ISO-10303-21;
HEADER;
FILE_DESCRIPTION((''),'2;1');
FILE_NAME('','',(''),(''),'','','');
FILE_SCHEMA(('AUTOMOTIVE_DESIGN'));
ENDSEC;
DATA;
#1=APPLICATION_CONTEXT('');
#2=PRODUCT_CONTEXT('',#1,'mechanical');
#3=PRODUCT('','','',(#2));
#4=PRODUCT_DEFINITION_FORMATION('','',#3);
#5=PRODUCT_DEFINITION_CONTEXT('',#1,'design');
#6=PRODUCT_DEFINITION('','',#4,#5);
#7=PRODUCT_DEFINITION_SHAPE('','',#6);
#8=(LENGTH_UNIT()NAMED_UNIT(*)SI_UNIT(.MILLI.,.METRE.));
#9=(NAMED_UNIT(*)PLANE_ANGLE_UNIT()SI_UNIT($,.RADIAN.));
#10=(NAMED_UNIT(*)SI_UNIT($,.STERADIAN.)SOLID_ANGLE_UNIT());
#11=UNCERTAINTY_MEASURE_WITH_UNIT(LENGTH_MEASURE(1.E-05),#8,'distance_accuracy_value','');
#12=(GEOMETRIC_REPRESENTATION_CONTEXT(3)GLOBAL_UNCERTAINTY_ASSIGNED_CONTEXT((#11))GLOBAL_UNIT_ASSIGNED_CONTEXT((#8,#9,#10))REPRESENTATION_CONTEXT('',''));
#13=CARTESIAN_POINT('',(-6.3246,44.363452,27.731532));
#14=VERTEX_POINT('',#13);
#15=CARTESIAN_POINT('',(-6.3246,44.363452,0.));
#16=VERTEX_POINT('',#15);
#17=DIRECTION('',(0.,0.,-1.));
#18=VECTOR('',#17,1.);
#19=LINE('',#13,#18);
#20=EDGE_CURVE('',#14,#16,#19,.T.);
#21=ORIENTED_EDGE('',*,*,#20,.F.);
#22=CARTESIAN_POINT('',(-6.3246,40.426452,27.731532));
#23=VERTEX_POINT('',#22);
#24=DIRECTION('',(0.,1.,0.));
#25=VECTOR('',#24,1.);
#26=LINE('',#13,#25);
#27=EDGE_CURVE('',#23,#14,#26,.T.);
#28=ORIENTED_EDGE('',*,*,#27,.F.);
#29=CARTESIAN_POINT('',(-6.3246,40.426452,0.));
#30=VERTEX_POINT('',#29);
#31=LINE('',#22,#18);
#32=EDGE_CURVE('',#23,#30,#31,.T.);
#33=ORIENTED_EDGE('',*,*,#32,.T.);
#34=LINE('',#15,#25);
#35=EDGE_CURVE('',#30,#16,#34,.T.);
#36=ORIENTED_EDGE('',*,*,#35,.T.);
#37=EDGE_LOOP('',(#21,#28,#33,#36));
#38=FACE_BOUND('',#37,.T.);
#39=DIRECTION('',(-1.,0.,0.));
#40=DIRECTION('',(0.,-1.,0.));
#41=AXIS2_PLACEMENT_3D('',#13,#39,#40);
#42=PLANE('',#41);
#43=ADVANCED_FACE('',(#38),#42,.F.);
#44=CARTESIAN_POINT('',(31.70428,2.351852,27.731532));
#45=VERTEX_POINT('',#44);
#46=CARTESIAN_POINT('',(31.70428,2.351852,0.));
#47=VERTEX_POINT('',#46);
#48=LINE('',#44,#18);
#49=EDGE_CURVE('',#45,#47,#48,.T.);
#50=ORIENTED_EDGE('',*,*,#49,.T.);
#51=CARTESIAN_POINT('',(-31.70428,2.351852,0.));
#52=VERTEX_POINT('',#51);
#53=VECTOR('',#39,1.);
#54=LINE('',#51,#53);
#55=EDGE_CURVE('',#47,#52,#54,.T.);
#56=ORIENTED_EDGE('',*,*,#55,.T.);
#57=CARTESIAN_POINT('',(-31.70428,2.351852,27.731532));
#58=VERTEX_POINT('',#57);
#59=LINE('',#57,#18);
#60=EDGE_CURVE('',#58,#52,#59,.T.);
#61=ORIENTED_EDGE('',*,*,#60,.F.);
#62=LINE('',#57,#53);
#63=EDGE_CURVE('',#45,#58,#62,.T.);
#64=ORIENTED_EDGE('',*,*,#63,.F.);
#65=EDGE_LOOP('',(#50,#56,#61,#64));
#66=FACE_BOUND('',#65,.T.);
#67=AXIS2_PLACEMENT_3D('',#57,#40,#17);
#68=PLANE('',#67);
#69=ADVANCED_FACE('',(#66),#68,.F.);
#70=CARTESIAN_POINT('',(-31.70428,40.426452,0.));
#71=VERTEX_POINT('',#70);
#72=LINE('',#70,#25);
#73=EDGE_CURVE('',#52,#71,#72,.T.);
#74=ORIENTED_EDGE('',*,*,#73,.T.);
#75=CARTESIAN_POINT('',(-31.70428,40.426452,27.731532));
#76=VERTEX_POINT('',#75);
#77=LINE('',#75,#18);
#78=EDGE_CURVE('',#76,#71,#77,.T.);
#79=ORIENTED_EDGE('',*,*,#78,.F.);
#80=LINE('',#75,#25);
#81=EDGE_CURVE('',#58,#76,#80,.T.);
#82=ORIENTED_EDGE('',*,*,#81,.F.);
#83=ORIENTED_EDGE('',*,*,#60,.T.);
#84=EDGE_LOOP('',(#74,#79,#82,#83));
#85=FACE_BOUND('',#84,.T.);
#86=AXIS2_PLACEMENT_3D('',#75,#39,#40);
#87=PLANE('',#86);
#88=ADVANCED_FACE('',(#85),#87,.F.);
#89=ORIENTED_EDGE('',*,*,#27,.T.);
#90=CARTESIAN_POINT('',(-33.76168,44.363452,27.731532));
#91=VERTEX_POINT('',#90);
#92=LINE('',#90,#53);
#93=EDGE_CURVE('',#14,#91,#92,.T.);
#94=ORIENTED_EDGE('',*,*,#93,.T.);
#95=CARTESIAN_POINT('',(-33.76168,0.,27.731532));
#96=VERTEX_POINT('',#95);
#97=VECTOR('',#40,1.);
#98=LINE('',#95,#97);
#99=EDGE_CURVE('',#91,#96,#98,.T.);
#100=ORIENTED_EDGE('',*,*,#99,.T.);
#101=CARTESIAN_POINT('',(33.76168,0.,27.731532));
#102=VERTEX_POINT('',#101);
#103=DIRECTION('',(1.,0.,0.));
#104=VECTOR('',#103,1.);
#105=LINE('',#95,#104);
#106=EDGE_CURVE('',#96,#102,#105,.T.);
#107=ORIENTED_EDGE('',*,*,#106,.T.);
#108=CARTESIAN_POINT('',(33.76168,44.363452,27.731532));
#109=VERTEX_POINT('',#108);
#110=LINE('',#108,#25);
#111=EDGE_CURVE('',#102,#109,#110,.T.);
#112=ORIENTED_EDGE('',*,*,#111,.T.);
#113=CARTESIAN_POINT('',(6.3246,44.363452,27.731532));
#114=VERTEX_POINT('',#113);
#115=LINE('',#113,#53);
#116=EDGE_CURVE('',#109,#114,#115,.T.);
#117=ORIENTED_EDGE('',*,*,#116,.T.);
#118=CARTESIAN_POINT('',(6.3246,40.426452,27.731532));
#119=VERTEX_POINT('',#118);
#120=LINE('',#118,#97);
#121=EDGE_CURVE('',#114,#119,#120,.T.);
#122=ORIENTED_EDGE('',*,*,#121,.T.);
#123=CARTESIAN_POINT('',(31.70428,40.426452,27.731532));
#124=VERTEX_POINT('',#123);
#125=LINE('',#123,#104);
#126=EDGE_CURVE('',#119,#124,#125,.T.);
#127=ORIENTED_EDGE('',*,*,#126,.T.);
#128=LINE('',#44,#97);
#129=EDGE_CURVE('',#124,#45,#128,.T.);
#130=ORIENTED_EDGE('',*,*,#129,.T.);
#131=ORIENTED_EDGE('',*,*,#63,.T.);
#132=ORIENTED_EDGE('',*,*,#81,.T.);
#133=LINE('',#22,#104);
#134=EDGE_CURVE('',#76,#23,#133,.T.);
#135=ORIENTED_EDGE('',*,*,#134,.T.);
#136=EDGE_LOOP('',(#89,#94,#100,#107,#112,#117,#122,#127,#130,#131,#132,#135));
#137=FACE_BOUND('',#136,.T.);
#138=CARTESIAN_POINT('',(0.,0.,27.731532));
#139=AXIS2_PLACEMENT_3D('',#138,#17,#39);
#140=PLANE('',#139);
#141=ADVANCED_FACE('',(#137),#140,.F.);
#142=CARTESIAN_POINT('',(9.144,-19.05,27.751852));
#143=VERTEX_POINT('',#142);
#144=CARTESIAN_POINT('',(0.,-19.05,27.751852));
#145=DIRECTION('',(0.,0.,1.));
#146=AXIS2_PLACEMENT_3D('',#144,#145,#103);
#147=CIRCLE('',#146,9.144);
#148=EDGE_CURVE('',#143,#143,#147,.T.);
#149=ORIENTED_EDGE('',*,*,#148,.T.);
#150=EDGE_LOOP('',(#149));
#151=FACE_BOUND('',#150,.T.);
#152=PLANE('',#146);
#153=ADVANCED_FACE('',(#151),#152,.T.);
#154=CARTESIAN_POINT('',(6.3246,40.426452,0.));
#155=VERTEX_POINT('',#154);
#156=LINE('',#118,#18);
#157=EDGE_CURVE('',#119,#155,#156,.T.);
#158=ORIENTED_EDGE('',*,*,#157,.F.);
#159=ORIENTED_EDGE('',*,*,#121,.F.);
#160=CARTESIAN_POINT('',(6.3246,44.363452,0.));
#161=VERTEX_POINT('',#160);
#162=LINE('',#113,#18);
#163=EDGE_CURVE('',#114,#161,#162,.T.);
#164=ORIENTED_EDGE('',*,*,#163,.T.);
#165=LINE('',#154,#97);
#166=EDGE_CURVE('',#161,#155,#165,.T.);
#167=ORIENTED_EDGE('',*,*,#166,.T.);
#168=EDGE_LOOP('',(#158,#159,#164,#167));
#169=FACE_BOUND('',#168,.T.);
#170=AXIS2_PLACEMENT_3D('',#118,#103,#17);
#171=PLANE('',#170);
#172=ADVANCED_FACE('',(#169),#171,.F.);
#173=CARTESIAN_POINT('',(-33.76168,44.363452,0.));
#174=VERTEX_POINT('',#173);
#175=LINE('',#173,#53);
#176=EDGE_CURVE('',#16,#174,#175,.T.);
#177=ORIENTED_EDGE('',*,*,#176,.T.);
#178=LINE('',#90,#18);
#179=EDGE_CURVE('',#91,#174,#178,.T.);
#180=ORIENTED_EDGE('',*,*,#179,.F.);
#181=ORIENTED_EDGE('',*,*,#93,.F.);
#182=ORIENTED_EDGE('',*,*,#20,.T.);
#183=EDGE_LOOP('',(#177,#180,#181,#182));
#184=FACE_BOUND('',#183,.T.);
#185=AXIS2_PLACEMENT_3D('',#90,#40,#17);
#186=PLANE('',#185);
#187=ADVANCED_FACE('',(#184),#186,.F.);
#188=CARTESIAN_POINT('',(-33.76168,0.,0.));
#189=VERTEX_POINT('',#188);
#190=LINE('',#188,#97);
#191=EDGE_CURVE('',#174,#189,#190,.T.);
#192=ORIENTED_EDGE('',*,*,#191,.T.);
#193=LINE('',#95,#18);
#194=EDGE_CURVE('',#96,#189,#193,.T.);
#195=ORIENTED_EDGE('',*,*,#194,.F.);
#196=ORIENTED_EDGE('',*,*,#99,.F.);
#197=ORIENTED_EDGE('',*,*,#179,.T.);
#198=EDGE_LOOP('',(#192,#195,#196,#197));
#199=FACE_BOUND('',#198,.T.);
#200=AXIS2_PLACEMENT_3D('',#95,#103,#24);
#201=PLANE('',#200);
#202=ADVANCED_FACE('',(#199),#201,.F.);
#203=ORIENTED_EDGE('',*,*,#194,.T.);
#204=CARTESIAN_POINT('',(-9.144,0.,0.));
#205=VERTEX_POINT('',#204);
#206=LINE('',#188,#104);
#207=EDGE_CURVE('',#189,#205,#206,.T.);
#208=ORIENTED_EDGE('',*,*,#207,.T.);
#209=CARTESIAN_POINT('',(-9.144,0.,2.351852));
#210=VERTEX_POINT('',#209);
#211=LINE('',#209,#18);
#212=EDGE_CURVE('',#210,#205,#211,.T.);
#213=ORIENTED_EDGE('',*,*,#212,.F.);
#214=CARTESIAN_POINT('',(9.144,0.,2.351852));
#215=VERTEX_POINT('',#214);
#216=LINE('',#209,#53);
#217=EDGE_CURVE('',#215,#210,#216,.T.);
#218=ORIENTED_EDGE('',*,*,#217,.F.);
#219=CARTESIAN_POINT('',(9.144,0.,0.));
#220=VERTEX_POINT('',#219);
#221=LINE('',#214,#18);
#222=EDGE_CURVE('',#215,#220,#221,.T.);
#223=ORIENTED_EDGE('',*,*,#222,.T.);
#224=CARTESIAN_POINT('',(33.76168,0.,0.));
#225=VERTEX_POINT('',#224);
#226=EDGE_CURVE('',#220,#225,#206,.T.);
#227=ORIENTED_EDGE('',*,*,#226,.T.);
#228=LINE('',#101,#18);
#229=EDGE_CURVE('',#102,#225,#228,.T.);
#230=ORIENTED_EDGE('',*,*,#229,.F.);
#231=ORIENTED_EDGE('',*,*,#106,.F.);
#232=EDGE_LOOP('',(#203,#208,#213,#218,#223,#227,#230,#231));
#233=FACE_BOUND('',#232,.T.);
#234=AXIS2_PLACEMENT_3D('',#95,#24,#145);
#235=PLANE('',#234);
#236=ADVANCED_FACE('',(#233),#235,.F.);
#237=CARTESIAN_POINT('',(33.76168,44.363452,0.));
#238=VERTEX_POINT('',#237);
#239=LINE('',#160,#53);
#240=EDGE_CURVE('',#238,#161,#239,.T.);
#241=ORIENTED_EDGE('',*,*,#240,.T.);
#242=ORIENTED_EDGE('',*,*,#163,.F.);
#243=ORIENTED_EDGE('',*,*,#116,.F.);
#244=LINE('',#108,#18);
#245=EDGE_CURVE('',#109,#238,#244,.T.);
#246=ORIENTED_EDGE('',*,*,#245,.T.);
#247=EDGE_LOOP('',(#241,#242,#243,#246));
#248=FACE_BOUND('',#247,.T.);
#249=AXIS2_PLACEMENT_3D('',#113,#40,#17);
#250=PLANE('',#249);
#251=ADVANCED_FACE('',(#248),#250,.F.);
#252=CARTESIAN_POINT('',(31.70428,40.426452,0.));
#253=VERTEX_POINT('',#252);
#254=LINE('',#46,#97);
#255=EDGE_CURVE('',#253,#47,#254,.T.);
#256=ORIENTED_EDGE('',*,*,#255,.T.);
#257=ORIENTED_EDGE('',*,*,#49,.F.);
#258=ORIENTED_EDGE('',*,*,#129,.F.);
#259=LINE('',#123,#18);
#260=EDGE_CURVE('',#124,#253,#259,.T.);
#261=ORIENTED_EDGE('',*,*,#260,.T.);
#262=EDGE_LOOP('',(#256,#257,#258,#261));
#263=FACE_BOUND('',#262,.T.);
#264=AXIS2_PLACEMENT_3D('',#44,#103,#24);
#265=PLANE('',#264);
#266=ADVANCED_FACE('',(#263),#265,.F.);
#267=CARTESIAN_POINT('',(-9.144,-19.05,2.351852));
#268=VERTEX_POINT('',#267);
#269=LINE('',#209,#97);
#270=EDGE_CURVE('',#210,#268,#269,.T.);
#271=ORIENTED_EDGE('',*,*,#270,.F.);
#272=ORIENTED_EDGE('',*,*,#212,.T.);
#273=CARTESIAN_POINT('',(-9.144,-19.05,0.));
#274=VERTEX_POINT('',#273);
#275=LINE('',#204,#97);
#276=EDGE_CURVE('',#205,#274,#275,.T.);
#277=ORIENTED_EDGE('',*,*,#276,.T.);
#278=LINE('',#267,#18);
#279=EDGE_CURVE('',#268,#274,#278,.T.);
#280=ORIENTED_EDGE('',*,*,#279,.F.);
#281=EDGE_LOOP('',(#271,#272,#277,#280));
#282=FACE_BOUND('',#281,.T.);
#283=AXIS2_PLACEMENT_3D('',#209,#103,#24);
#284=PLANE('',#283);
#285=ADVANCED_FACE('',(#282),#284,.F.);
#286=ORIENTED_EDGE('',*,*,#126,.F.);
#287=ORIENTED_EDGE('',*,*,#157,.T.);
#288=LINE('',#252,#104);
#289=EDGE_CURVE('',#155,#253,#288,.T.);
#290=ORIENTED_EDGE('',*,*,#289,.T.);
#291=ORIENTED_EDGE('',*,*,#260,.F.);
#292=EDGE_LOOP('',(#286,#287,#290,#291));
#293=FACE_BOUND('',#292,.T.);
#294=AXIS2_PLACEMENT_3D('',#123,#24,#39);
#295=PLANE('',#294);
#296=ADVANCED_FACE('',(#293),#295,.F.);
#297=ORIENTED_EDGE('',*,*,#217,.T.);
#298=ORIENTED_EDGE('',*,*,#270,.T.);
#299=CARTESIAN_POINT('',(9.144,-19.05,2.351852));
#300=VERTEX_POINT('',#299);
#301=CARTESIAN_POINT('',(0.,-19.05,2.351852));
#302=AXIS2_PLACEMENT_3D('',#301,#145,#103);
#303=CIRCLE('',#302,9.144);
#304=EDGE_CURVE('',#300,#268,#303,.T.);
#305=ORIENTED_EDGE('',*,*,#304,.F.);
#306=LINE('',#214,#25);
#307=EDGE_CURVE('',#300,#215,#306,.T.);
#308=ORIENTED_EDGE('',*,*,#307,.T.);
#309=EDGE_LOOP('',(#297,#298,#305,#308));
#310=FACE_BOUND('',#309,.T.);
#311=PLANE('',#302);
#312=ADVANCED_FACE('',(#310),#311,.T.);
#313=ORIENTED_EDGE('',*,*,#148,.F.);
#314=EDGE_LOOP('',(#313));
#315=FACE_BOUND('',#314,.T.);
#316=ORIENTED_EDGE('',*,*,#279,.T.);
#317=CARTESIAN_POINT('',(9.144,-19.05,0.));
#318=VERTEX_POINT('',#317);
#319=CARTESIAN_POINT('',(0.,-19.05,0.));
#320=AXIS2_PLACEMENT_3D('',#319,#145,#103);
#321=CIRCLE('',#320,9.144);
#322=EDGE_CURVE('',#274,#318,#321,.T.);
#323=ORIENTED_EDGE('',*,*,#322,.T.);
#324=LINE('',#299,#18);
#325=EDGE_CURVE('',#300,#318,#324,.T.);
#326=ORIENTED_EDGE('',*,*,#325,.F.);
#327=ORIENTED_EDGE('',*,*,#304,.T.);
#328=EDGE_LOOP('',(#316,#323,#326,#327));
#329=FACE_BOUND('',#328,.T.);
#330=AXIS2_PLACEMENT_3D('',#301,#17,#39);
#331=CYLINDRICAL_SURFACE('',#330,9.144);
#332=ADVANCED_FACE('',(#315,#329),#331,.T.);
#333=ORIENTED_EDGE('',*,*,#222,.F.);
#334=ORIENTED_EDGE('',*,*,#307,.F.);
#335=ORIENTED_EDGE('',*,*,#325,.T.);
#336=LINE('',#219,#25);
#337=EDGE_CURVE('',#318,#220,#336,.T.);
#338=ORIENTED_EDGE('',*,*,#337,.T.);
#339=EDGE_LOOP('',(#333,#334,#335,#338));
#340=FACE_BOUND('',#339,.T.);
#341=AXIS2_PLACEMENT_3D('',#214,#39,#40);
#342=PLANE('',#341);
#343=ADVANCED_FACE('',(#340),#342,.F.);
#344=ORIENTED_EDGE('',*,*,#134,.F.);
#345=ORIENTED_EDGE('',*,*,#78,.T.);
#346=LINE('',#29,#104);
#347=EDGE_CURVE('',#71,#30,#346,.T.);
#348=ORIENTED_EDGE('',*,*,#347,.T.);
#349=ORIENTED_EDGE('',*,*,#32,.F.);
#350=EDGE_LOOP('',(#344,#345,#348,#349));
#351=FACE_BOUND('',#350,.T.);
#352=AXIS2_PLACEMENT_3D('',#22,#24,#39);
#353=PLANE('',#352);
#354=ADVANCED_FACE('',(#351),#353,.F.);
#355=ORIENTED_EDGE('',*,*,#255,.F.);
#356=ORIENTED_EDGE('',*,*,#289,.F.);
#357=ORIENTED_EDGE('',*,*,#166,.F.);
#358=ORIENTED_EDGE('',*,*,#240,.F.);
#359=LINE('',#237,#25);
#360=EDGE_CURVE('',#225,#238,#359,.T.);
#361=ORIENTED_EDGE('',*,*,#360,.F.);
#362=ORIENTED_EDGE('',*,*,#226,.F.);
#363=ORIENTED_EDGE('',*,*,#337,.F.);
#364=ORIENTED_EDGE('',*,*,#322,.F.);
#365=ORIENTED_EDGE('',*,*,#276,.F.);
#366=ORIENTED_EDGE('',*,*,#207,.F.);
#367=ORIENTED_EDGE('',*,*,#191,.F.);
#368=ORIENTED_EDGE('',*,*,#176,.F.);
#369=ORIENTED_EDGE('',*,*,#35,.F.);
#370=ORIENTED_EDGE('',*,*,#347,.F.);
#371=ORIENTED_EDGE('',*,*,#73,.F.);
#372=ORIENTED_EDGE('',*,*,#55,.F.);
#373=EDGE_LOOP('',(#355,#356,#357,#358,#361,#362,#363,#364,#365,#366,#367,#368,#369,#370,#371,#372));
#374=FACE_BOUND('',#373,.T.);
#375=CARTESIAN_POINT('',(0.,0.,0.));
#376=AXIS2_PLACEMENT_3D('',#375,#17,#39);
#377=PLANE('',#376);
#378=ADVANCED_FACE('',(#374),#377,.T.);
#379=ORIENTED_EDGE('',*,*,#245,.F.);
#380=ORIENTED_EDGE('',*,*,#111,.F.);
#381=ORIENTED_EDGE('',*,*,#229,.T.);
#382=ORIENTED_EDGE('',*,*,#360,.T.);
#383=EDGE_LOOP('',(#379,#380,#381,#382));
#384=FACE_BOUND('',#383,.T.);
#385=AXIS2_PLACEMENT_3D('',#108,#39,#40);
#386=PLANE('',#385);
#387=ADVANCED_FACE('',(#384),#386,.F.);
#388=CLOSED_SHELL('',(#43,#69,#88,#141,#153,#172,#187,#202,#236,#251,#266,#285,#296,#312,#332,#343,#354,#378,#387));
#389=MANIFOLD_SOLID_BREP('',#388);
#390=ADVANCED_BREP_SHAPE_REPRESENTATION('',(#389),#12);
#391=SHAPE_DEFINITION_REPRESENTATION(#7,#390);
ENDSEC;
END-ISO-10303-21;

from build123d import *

# Parameters (mm, degrees)
BOSS_EXTRUDE1_DEPTH = 27.731531852
BOSS_EXTRUDE2_DEPTH = 2.351851852
SKETCH4_R           = 9.144
BOSS_EXTRUDE3_DEPTH = 25.4


with BuildPart() as part:
    # Sketch1 → Boss-Extrude1 (new body)
    with BuildSketch(Plane.XY):
        Polygon((-33.76168, 0), (33.76168, 0), (33.76168, 44.363451852), (6.3246, 44.363451852), (6.3246, 40.426451852), (31.70428, 40.426451852), (31.70428, 2.351851852), (-31.70428, 2.351851852), (-31.70428, 40.426451852), (-6.3246, 40.426451852), (-6.3246, 44.363451852), (-33.76168, 44.363451852), align=None)
    extrude(amount=BOSS_EXTRUDE1_DEPTH)

    # Sketch2 → Boss-Extrude2 (add)
    with BuildSketch(Plane.XY):
        with BuildLine():
            Line((-9.144, 0), (9.144, 0))
            Line((9.144, 0), (9.144, -19.05))
            ThreePointArc((9.144, -19.05), (0, -28.194), (-9.144, -19.05))
            Line((-9.144, -19.05), (-9.144, 0))
        make_face()
    extrude(amount=BOSS_EXTRUDE2_DEPTH)

    # Sketch4 → Boss-Extrude3 (add)
    with BuildSketch(Plane.XY.offset(2.351851852)):
        with Locations((0, -19.05)):
            Circle(SKETCH4_R)
    extrude(amount=BOSS_EXTRUDE3_DEPTH)


solid = part.part
